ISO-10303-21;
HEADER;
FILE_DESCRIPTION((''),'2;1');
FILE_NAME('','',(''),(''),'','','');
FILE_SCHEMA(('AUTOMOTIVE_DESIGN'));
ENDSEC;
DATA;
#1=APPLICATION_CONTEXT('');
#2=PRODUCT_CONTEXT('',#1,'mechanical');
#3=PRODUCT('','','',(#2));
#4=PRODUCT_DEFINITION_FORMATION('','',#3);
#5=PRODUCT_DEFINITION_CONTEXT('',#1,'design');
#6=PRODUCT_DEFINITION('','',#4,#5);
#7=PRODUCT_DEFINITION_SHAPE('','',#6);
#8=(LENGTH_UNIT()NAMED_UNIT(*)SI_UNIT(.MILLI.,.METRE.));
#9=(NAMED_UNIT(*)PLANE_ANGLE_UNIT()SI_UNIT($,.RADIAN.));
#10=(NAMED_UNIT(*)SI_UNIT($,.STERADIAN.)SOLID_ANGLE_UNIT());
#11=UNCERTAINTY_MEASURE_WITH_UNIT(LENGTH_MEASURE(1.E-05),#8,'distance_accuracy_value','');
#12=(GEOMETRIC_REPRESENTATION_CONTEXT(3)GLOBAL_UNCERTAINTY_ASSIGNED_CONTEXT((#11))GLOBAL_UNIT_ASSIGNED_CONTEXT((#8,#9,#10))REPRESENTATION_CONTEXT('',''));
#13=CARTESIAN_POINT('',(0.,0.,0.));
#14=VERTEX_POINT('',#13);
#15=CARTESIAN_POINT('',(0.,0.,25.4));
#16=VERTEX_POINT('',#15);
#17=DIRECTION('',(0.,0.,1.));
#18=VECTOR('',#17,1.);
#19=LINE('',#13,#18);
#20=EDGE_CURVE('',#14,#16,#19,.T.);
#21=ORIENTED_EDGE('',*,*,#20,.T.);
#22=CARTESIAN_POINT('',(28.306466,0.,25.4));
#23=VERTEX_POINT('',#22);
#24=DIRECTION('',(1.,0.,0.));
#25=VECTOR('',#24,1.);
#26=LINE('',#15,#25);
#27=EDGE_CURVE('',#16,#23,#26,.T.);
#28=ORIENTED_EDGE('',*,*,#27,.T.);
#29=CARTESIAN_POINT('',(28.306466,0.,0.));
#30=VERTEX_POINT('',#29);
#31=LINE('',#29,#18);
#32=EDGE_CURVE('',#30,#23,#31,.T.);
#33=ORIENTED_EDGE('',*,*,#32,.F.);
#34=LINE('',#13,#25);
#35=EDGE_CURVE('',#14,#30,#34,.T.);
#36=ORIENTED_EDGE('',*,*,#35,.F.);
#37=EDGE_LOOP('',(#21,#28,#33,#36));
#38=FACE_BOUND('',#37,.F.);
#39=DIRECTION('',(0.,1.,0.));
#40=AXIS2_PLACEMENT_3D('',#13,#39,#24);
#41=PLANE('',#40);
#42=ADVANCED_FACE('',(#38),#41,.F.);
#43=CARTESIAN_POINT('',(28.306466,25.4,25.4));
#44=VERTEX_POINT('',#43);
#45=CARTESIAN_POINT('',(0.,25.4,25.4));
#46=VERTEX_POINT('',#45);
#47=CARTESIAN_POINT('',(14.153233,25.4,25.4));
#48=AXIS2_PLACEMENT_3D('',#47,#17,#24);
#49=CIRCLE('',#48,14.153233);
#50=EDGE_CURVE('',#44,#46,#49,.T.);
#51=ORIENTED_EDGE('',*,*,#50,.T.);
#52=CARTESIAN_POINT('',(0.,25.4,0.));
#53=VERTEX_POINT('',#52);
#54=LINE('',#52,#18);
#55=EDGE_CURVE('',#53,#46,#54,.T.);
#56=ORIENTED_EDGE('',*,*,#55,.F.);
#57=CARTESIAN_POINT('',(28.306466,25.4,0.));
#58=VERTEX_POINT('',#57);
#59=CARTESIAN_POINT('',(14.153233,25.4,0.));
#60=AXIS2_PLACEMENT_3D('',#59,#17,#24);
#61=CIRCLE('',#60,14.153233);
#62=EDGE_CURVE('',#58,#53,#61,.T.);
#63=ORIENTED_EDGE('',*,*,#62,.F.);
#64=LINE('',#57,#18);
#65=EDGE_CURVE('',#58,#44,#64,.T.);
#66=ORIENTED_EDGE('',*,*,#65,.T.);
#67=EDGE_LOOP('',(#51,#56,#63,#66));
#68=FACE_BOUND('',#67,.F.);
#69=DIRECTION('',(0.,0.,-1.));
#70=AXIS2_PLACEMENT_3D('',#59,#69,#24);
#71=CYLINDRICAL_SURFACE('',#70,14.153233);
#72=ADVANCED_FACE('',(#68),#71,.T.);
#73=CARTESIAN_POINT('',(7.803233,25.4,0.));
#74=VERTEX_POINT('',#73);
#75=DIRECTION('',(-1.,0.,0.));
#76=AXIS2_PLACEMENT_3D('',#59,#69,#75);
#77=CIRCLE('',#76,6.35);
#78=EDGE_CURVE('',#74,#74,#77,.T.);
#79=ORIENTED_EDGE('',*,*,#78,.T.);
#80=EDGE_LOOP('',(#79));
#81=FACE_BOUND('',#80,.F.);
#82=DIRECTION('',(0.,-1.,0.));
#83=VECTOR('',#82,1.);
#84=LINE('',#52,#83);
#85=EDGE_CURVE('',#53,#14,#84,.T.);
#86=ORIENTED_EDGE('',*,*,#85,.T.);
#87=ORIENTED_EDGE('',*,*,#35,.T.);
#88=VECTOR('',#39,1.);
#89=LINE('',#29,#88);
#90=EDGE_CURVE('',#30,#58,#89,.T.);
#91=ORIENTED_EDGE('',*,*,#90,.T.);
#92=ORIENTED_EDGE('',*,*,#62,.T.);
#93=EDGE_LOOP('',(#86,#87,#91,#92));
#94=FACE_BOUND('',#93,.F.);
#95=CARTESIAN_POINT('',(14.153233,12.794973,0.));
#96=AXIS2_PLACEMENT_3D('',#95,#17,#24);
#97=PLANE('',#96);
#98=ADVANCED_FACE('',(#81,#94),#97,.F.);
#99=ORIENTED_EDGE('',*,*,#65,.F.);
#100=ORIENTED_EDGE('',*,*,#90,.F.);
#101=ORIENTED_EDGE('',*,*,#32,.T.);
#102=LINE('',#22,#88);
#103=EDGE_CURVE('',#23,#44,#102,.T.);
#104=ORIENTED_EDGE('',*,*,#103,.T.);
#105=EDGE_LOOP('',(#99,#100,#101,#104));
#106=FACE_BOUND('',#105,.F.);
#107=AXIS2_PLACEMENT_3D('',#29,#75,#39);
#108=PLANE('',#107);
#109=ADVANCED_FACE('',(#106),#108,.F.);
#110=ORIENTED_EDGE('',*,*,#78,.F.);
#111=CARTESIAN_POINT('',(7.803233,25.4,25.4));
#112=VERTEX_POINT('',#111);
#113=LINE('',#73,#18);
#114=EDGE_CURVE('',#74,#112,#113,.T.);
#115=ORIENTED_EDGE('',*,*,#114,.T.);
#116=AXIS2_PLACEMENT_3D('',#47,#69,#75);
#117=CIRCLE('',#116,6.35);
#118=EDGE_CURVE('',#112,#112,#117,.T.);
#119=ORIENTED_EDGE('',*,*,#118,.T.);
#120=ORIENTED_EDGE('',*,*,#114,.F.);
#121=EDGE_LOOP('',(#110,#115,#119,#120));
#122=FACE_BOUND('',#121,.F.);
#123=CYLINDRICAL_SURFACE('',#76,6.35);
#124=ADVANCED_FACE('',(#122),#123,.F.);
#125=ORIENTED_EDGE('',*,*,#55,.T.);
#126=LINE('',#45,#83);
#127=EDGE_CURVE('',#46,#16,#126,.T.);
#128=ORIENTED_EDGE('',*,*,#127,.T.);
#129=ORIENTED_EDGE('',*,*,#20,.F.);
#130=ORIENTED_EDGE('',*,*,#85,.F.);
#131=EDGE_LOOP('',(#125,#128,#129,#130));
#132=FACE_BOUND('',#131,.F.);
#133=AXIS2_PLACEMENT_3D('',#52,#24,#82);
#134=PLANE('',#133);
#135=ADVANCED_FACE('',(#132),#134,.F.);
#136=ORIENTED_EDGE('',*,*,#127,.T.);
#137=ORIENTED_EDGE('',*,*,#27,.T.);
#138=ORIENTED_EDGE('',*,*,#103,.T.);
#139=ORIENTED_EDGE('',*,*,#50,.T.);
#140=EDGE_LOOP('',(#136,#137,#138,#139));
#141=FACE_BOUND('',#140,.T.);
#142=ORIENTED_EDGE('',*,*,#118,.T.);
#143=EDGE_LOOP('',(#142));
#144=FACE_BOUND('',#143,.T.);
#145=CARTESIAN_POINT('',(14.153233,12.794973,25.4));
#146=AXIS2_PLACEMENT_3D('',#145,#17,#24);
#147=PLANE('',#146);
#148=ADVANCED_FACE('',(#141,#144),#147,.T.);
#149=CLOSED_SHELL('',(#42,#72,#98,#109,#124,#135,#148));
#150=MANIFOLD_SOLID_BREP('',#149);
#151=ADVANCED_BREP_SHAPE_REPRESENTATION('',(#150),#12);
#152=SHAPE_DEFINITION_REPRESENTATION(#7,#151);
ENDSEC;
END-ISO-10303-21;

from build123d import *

# Parameters (mm, degrees)
F1_DEPTH = 25.4


with BuildPart() as f1:
    # F0 (on Top) → F1 (new body)
    with BuildSketch(Plane.XY):
        with BuildLine():
            Line((0, 25.4), (0, 0))
            Line((0, 0), (28.306466, 0))
            Line((28.306466, 0), (28.306466, 25.4))
            Line((28.306466, 25.4), (20.503233, 25.4))
            ThreePointArc((20.503233, 25.4), (14.153233, 19.05), (7.803233, 25.4))
            Line((7.803233, 25.4), (0, 25.4))
        make_face()
        with BuildLine():
            ThreePointArc((28.306466, 25.4), (14.153233, 39.553233), (0, 25.4))
            Line((0, 25.4), (7.803233, 25.4))
            ThreePointArc((7.803233, 25.4), (14.153233, 31.75), (20.503233, 25.4))
            Line((20.503233, 25.4), (28.306466, 25.4))
        make_face()
    extrude(amount=F1_DEPTH)


solid = f1.part
